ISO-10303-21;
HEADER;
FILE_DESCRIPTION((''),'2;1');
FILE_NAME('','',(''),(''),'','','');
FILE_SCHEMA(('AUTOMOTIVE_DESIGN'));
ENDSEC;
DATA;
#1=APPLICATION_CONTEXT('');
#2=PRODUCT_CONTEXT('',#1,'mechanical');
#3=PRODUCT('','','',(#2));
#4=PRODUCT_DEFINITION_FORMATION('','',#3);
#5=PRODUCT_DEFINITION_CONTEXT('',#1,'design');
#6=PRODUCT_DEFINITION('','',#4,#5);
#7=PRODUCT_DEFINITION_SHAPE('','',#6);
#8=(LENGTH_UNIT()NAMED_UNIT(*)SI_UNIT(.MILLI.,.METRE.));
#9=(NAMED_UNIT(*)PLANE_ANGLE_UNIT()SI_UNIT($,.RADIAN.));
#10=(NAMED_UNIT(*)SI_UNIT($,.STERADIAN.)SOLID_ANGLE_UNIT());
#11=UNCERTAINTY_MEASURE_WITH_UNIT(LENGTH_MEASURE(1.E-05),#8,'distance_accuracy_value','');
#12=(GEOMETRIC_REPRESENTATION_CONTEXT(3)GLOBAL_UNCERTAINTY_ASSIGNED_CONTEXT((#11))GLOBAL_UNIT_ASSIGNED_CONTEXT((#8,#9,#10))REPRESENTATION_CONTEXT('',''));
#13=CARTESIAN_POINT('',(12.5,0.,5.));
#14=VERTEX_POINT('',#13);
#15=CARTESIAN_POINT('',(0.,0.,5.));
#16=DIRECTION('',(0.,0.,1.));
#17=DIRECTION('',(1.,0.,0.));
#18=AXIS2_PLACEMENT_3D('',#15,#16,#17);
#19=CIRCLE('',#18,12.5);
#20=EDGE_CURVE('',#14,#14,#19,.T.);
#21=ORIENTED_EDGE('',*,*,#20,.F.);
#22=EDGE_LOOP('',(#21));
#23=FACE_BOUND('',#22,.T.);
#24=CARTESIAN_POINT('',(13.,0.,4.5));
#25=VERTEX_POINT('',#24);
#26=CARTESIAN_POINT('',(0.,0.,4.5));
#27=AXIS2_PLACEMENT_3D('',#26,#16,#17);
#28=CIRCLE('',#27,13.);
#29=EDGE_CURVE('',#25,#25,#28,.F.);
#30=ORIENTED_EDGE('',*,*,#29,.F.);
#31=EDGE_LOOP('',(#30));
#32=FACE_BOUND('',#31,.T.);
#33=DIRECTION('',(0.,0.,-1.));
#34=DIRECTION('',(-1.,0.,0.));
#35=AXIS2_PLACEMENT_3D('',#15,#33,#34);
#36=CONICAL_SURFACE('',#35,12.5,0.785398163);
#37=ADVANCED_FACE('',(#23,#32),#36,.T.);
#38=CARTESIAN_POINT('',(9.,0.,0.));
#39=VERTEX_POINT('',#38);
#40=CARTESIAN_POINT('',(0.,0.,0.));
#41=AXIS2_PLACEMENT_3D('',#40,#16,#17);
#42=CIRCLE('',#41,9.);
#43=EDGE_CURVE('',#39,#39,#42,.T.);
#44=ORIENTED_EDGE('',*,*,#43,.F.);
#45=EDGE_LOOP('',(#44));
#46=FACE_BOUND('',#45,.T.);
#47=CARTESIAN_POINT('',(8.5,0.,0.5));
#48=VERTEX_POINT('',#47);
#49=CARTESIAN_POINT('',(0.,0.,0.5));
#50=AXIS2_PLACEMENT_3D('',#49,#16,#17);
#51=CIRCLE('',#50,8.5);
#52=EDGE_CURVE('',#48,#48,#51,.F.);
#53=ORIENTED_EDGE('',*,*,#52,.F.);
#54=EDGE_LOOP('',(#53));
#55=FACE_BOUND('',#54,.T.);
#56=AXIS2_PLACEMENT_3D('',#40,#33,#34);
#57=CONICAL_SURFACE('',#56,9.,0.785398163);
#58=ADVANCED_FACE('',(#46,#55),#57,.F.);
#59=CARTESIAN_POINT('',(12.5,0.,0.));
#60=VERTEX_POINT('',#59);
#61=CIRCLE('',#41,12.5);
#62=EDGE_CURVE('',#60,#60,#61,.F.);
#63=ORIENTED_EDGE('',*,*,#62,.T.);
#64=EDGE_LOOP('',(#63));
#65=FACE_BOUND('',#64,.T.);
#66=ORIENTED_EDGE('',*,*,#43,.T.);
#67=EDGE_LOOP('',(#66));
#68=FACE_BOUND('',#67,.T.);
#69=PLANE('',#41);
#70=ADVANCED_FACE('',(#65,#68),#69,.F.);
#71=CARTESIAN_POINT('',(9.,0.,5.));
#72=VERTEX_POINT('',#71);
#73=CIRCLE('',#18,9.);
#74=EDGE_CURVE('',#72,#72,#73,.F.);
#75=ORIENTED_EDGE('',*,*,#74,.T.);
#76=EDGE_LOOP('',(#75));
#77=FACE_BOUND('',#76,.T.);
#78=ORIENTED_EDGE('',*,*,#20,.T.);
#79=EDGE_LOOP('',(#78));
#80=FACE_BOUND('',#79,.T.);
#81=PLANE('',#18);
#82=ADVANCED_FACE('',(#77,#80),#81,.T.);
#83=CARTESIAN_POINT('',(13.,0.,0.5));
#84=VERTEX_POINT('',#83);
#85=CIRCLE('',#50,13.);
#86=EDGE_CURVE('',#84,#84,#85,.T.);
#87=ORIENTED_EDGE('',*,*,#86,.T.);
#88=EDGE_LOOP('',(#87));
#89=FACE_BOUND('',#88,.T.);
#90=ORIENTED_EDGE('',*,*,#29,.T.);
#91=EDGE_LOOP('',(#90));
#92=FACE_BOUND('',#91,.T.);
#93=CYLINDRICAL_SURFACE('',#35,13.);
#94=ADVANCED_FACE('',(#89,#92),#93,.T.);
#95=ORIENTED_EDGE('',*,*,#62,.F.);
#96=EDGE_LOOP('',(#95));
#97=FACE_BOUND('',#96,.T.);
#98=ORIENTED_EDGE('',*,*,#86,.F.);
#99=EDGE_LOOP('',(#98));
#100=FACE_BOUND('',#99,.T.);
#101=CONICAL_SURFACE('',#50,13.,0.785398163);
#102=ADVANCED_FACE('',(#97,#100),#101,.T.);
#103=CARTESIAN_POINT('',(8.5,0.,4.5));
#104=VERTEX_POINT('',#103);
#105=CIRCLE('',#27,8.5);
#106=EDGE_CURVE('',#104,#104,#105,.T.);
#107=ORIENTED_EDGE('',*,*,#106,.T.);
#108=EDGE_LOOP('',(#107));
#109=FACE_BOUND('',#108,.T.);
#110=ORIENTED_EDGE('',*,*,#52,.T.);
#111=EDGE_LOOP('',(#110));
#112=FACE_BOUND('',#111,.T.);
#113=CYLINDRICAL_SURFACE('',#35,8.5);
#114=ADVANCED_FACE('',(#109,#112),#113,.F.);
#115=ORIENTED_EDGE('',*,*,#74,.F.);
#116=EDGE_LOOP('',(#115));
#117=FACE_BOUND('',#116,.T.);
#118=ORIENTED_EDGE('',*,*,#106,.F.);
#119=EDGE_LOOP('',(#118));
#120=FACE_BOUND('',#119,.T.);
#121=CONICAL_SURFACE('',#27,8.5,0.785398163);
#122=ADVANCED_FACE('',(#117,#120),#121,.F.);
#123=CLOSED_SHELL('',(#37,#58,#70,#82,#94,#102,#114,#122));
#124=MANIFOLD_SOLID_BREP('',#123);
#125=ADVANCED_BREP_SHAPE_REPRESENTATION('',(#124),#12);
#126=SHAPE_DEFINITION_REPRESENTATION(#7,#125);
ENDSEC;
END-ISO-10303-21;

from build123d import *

# Parameters (mm, degrees)
SKETCH_1_R      = 13
SKETCH_1_R_2    = 8.5
EXTRUDE_1_DEPTH = 5
CHAMFER_1_SIZE  = 0.5


with BuildPart() as part:
    # 草图1 → 凸台-拉伸1 (new body)
    with BuildSketch(Plane.XY):
        Circle(SKETCH_1_R)
        Circle(SKETCH_1_R_2, mode=Mode.SUBTRACT)
    extrude(amount=EXTRUDE_1_DEPTH)

    # 倒角1
    chamfer_1_edges = [part.edges().sort_by_distance(p)[0] for p in [
        (-13, 0, 0),
        (-13, 0, 5),
        (-8.5, 0, 0),
        (-8.5, 0, 5),
    ]]
    chamfer(chamfer_1_edges, length=CHAMFER_1_SIZE)


solid = part.part
